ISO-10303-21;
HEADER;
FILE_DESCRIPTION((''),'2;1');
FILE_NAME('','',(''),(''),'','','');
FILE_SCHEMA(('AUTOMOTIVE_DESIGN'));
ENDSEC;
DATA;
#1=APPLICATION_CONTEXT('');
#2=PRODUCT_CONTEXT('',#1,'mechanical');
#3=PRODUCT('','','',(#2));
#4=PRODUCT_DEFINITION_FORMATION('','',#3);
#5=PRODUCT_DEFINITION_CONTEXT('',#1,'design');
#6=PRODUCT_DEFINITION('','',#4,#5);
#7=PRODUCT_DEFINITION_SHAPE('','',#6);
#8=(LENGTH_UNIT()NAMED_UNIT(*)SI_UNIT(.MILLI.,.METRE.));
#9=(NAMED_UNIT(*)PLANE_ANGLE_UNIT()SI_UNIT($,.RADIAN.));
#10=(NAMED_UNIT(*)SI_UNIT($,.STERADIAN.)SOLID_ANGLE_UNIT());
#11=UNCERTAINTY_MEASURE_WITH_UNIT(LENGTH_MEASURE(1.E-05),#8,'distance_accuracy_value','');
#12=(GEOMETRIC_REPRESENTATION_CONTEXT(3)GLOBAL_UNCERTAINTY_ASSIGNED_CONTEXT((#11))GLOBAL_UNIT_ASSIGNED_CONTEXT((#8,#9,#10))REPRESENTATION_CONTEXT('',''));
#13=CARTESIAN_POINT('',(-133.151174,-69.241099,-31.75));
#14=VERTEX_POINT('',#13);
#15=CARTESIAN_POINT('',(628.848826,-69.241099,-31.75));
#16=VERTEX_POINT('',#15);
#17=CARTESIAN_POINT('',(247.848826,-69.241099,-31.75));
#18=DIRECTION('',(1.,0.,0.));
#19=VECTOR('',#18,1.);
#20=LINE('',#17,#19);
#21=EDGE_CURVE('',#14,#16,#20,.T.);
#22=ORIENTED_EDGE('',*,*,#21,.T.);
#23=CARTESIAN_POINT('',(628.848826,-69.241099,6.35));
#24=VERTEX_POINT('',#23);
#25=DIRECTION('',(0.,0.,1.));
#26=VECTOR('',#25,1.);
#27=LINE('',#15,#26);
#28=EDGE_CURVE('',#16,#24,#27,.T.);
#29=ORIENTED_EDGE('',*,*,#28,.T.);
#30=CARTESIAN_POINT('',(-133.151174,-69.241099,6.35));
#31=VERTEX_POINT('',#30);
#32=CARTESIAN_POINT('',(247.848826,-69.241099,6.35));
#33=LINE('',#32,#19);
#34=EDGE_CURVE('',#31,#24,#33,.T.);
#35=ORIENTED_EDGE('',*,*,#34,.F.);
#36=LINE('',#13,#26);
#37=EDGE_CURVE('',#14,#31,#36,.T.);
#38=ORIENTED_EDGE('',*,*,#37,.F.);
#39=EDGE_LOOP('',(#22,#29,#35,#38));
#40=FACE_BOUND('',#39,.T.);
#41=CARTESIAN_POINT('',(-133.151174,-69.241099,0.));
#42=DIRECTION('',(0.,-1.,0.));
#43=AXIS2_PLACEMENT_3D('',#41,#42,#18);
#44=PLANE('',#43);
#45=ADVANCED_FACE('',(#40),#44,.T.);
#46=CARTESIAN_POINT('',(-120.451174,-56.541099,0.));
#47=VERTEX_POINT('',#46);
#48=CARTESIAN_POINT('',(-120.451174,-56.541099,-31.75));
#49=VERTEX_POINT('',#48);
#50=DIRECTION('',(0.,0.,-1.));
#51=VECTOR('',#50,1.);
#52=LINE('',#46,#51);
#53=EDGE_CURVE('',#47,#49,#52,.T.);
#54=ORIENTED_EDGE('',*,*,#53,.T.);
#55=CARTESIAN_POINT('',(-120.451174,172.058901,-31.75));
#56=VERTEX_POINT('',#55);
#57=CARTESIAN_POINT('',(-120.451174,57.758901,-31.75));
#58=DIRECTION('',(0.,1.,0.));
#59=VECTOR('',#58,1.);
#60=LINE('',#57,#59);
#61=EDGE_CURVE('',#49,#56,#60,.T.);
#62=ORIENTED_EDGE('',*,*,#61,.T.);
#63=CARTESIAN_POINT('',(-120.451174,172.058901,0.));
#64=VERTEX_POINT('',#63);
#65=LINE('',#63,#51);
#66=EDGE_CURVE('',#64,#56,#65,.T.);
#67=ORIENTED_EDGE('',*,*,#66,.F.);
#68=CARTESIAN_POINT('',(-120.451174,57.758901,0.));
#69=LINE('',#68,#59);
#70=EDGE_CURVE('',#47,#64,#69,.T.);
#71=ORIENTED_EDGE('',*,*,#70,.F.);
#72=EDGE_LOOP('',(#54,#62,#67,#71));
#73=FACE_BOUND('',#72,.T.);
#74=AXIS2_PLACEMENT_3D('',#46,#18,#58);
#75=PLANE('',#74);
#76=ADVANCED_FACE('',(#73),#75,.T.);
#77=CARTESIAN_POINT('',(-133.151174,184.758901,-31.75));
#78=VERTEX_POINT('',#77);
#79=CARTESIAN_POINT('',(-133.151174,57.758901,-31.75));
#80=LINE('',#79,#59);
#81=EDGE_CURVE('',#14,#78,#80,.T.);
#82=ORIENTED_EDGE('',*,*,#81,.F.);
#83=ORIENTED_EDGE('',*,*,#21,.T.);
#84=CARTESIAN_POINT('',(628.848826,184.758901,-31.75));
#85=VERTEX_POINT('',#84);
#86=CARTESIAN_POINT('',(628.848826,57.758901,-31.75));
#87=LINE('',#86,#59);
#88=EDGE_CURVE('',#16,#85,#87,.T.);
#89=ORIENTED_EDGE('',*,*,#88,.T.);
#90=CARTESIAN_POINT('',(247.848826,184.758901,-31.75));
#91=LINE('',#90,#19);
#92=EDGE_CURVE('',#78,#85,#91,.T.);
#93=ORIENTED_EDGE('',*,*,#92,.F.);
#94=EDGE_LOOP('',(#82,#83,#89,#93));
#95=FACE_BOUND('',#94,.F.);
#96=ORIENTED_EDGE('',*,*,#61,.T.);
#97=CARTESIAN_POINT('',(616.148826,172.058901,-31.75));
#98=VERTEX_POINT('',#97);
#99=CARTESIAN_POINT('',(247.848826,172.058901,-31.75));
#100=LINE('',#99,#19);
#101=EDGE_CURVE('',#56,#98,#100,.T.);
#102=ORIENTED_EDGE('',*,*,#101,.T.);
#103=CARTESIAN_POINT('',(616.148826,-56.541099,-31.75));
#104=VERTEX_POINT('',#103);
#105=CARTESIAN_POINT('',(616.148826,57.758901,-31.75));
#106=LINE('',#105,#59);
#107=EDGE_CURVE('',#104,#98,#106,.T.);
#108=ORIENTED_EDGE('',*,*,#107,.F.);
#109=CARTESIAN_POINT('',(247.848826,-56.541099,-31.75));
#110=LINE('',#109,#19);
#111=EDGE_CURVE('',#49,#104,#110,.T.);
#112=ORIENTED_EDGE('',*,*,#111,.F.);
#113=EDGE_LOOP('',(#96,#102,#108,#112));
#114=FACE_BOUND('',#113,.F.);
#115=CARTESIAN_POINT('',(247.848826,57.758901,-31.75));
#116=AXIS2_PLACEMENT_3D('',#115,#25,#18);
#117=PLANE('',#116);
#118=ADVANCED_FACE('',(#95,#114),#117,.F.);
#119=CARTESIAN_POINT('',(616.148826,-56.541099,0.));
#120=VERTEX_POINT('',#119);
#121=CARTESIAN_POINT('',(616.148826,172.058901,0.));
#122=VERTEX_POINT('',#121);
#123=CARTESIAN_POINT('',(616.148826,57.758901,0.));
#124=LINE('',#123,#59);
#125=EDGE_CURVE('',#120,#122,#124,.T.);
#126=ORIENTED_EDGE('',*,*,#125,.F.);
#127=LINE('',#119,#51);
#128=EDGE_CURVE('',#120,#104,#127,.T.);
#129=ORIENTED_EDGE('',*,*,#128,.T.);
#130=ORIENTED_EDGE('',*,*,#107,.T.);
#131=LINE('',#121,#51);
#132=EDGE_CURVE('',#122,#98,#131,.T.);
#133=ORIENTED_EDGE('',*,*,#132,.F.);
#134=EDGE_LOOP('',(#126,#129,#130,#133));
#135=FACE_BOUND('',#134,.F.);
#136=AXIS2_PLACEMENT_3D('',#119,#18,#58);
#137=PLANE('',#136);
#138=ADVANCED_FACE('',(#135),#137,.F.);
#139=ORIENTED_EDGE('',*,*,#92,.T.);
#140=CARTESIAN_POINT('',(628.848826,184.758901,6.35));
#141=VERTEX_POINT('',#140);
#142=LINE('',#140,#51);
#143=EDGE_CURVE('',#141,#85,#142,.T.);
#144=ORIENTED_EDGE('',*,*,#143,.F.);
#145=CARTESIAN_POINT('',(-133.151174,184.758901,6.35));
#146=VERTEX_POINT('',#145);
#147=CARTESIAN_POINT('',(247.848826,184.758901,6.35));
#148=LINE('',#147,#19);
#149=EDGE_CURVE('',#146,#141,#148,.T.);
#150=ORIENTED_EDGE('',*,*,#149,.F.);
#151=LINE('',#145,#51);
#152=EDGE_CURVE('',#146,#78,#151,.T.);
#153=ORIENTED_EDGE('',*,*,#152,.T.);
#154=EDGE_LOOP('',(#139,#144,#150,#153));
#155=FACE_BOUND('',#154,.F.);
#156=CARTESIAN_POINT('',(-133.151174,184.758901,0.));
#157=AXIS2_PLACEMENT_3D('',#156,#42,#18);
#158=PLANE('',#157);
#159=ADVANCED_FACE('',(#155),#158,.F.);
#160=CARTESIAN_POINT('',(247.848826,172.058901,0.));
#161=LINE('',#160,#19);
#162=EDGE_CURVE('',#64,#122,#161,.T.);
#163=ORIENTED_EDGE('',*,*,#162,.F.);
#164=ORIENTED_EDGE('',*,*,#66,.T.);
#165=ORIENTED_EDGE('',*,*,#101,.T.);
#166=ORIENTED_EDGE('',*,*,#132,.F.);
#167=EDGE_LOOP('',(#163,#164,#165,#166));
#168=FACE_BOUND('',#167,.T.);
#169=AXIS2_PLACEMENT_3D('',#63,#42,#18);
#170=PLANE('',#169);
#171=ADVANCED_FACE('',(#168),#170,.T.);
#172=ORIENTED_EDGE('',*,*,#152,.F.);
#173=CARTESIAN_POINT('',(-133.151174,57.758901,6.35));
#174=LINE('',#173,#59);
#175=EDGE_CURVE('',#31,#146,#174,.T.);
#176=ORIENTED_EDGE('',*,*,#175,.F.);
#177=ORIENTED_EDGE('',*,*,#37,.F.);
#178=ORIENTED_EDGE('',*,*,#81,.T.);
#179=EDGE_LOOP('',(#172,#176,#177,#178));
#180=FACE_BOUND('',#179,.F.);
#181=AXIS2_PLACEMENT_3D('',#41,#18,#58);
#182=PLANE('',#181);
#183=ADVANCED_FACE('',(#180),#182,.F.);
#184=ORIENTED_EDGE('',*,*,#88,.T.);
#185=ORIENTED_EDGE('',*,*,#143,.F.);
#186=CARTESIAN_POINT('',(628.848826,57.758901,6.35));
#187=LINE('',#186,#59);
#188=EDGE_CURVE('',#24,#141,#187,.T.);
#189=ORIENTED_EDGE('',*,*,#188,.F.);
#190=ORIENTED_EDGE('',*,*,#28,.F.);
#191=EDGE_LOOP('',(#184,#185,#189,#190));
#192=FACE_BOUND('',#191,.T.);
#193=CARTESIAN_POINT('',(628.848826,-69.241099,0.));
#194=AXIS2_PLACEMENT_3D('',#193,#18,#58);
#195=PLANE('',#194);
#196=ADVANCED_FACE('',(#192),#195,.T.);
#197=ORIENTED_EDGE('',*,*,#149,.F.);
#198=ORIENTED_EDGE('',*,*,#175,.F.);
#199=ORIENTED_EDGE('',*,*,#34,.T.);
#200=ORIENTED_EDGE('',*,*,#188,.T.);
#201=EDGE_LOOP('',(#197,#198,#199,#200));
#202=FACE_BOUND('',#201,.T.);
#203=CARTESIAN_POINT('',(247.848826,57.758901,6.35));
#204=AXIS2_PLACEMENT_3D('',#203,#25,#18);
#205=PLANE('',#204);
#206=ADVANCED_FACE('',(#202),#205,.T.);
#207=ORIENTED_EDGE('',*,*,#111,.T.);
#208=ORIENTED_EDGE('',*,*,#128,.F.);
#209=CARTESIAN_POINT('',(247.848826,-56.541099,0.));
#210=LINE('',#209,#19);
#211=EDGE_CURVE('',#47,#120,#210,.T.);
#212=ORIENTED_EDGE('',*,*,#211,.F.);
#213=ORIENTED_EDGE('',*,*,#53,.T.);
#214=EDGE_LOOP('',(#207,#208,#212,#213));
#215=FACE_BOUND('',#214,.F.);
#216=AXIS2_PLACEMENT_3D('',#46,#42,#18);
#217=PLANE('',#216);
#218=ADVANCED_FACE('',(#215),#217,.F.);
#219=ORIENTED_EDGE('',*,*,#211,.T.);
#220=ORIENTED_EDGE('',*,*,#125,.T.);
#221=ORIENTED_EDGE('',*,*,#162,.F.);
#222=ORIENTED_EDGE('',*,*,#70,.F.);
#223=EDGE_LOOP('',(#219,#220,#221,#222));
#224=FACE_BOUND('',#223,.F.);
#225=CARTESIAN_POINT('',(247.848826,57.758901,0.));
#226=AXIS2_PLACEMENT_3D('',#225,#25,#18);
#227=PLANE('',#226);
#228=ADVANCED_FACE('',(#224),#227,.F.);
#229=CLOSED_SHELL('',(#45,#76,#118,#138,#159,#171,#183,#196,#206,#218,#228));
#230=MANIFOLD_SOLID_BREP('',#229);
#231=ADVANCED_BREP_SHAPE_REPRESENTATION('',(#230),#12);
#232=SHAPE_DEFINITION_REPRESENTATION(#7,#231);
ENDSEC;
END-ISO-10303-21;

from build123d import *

# Parameters (mm, degrees)
F0_W     = 762
F0_H     = 254
F0_W_2   = 736.6
F0_H_2   = 228.6
F1_DEPTH = 6.35
F2_DEPTH = 31.75


with BuildPart() as f1:
    # F0 (on Top) → F1 (new body)
    with BuildSketch(Plane.XY):
        with Locations((247.848826, 57.758901)):
            Rectangle(F0_W, F0_H)
        with Locations((247.848826, 57.758901)):
            Rectangle(F0_W_2, F0_H_2, mode=Mode.SUBTRACT)
        with Locations((247.848826, 57.758901)):
            Rectangle(F0_W_2, F0_H_2)
    extrude(amount=F1_DEPTH)

    # F0 (on Top) → F2 (join)
    with BuildSketch(Plane.XY):
        with Locations((247.848826, 57.758901)):
            Rectangle(F0_W, F0_H)
        with Locations((247.848826, 57.758901)):
            Rectangle(F0_W_2, F0_H_2, mode=Mode.SUBTRACT)
    extrude(amount=-F2_DEPTH)


solid = f1.part
